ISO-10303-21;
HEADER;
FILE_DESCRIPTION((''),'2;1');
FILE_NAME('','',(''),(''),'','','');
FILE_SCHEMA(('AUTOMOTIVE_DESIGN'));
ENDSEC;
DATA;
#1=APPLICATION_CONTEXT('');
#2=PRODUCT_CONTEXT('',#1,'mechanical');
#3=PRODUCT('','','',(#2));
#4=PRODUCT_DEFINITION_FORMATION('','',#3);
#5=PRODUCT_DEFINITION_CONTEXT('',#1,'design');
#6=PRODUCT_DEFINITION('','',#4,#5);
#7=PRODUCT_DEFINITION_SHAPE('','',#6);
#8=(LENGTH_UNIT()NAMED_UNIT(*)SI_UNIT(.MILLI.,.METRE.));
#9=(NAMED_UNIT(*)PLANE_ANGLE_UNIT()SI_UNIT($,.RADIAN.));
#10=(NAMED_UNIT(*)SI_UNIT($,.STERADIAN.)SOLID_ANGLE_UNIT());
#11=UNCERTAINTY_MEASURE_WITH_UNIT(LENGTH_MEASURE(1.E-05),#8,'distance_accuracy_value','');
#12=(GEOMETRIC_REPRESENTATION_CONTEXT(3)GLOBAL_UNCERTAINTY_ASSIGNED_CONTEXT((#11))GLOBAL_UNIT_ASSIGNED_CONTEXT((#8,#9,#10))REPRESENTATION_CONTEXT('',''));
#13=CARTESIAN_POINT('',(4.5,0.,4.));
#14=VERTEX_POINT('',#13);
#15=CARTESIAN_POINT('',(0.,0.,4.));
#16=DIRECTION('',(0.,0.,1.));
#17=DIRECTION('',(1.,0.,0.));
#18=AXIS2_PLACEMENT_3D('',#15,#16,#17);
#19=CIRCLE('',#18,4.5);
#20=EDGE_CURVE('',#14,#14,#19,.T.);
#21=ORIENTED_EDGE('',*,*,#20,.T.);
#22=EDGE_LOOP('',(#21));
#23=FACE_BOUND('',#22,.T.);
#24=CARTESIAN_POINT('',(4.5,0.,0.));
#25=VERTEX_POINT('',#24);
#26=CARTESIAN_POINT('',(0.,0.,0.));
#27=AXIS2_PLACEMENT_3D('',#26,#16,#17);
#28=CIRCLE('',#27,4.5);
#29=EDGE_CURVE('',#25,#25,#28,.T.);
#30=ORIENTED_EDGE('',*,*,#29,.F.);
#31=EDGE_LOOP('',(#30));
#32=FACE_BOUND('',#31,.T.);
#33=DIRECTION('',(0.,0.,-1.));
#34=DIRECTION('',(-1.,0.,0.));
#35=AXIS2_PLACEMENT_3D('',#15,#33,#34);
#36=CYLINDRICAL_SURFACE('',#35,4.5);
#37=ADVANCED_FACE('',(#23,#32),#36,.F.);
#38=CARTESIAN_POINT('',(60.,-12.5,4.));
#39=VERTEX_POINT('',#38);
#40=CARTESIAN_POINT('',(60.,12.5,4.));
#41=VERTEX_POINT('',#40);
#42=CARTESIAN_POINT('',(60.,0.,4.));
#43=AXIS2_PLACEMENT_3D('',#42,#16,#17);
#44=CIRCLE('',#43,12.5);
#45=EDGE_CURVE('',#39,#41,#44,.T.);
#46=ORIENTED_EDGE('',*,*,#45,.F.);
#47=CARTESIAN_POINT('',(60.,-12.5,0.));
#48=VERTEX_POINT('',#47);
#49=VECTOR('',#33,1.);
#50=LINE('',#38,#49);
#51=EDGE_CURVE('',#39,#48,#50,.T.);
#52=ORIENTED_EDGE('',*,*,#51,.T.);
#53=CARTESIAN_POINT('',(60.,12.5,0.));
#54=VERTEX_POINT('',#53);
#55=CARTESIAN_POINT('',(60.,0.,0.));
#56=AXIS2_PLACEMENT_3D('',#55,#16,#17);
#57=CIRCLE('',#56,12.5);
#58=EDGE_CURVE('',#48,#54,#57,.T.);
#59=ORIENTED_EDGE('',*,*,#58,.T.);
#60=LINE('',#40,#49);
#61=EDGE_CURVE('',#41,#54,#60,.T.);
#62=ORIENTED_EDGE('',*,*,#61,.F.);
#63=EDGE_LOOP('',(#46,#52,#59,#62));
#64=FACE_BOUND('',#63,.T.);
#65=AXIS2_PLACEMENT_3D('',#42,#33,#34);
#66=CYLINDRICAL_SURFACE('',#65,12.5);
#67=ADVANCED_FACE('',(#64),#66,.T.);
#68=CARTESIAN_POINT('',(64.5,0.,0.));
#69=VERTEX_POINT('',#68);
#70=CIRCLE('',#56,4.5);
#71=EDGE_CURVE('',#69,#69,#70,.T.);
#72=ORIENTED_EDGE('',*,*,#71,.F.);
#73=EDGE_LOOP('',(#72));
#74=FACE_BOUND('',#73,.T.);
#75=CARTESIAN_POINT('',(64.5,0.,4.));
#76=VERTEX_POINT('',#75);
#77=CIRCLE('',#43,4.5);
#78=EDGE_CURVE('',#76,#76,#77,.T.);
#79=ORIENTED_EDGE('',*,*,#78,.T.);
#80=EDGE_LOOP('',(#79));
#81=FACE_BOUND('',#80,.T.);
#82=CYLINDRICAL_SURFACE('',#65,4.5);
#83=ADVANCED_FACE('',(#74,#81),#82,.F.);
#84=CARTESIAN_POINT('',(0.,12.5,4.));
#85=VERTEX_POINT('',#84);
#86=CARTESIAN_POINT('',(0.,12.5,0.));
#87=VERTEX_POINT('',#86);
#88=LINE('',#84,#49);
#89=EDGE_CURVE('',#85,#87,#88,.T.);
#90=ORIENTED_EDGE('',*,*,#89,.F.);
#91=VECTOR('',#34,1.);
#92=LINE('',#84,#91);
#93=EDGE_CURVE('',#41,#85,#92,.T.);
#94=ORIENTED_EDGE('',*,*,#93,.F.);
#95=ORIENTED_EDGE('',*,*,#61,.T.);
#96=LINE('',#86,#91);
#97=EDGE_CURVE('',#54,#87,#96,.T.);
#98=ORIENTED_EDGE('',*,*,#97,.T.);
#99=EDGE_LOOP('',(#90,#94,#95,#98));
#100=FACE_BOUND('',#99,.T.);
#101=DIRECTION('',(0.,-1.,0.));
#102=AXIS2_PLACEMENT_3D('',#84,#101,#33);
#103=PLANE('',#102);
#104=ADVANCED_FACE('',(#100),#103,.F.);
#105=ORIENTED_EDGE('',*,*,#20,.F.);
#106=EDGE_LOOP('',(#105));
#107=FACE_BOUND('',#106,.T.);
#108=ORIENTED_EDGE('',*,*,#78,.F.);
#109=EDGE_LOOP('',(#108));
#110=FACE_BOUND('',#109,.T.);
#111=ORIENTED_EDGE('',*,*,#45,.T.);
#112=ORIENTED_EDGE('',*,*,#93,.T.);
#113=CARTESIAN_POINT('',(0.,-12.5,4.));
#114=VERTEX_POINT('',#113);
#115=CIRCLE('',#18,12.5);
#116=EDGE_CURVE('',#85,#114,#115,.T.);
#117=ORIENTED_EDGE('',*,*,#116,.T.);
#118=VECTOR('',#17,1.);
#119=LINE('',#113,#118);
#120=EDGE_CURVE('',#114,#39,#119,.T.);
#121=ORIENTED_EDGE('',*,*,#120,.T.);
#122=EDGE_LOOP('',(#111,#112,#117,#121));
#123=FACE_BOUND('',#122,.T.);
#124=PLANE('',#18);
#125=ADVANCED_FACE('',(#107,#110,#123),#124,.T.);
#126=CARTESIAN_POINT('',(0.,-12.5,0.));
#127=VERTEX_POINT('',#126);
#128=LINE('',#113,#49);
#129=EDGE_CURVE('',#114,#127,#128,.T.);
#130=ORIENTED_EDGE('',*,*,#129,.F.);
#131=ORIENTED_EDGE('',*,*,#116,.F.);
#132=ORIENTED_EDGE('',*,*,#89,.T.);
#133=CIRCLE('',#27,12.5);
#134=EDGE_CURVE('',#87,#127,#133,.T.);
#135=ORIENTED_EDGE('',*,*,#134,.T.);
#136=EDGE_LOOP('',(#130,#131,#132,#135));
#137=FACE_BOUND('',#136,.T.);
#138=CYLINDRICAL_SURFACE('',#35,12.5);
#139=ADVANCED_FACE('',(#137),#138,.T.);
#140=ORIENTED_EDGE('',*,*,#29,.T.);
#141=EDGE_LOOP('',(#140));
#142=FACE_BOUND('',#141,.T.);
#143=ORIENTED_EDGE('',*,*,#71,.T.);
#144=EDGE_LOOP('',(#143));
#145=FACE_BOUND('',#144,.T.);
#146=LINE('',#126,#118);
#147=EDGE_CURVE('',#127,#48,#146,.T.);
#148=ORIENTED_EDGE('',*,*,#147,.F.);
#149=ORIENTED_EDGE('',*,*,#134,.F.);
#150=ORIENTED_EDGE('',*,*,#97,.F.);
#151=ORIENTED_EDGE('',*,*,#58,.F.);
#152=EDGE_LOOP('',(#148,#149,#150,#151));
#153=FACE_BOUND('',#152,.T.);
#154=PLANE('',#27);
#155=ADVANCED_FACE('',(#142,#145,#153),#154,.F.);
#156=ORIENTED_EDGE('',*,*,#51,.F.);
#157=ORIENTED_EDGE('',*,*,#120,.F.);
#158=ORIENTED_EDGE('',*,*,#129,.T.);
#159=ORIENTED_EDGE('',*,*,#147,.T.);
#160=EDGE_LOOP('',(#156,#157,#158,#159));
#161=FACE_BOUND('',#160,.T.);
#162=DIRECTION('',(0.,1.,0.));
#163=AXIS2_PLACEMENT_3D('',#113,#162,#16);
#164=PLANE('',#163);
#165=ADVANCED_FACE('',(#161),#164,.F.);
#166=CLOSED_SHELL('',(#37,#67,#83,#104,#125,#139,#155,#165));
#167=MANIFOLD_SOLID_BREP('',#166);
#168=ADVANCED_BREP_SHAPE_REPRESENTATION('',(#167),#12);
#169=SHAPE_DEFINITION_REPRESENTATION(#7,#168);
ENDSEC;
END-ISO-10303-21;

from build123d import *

# Parameters (mm, degrees)
SKIZZE1_R                       = 4.5
AUFSATZ_LINEAR_AUSTRAGEN1_DEPTH = 4


with BuildPart() as part:
    # Skizze1 → Aufsatz-Linear austragen1 (new body)
    with BuildSketch(Plane.XY):
        with BuildLine():
            Line((0, 12.5), (60, 12.5))
            ThreePointArc((60, 12.5), (72.5, 0), (60, -12.5))
            Line((60, -12.5), (0, -12.5))
            ThreePointArc((0, -12.5), (-12.5, 0), (0, 12.5))
        make_face()
        Circle(SKIZZE1_R, mode=Mode.SUBTRACT)
        with Locations((60, 0)):
            Circle(SKIZZE1_R, mode=Mode.SUBTRACT)
    extrude(amount=AUFSATZ_LINEAR_AUSTRAGEN1_DEPTH)


solid = part.part
